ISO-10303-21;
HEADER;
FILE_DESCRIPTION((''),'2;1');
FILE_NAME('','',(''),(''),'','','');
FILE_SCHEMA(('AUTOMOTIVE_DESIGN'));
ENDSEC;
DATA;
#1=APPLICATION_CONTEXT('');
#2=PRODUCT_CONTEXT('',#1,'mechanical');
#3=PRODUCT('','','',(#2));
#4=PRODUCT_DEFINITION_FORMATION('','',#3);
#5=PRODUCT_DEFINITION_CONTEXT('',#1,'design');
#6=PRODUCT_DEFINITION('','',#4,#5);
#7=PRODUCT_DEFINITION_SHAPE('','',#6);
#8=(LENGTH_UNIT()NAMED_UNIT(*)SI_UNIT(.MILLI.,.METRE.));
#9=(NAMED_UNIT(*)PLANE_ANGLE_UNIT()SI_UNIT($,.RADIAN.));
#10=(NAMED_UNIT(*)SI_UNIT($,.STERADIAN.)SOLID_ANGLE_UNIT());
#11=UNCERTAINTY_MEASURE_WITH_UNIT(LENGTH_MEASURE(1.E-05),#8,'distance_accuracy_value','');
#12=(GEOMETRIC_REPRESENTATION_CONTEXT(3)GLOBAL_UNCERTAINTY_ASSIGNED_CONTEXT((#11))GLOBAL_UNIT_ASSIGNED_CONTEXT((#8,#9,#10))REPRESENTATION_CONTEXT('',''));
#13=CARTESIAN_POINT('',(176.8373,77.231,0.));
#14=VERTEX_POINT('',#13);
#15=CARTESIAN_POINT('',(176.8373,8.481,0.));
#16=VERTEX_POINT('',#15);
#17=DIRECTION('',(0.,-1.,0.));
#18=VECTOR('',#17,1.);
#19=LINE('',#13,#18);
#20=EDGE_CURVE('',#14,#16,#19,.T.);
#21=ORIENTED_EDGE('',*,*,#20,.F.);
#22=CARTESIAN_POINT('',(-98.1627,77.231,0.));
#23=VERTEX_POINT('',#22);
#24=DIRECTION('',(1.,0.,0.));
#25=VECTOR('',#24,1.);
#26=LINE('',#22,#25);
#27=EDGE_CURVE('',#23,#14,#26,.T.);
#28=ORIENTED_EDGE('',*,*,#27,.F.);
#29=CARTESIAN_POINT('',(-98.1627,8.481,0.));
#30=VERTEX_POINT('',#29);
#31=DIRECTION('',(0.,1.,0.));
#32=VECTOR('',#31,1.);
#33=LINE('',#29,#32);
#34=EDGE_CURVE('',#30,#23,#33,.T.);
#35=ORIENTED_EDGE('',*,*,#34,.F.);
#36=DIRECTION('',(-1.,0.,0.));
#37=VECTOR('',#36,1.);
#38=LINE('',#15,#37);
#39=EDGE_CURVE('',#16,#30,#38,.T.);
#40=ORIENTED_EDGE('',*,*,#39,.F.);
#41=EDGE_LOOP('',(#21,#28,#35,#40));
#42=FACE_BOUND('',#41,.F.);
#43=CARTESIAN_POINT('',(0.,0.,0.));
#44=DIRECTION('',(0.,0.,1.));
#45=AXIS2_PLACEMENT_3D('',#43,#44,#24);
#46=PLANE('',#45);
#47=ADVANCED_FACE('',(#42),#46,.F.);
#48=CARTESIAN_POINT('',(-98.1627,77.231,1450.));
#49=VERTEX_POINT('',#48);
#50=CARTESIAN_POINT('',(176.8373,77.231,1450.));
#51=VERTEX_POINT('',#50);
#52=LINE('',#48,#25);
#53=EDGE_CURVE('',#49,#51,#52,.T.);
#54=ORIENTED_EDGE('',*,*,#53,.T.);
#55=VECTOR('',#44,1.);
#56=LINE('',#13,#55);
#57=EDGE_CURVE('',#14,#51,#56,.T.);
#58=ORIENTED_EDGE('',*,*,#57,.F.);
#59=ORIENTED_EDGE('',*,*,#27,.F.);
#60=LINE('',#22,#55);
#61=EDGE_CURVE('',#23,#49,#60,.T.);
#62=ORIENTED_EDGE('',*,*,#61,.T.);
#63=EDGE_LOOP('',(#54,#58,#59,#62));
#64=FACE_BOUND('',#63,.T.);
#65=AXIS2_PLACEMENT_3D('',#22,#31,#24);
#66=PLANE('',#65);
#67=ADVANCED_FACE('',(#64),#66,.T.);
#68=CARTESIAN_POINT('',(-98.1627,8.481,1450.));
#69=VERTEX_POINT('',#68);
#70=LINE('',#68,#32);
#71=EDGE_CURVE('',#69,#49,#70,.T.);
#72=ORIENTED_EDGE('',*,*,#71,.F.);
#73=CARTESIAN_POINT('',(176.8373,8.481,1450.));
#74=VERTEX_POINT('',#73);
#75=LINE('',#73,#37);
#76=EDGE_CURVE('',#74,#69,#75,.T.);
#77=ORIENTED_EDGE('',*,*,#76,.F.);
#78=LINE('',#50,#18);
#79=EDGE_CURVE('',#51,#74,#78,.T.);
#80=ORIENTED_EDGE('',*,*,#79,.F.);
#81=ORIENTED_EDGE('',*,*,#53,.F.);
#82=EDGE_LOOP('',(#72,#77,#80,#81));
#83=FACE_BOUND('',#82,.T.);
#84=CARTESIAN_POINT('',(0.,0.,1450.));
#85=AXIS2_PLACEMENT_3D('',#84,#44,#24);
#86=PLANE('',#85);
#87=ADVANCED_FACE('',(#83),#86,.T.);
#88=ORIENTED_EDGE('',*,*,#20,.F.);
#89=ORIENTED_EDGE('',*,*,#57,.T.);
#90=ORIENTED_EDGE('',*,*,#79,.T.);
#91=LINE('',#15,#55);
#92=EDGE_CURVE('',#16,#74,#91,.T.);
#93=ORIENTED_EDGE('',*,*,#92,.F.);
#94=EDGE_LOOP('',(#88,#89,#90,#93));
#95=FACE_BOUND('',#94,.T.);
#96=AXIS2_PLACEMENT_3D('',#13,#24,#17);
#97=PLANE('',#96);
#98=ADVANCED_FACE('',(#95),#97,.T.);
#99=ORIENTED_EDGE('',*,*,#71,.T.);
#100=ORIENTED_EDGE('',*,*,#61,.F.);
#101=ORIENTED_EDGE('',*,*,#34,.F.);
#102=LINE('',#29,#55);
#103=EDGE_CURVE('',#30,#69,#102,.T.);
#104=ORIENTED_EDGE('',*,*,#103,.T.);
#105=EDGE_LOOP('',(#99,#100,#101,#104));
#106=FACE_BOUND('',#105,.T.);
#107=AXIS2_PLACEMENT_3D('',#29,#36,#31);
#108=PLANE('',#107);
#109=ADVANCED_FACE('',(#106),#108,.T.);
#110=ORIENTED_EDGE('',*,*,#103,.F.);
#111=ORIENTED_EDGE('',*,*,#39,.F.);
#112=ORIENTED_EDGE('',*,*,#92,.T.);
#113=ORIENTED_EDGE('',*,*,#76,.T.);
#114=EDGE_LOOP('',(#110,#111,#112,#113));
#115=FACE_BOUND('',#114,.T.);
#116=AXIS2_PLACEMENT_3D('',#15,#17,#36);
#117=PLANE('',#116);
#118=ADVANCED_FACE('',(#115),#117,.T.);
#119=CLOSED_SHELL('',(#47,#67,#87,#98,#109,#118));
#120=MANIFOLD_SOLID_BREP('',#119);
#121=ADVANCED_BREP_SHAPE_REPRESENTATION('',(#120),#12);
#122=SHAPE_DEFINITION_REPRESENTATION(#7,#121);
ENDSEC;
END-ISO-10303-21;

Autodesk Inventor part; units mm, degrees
ref_plane "YZ Plane" through (0, 0, 0) normal (1, 0, 0) x (0, 1, 0)
ref_plane "XZ Plane" through (0, 0, 0) normal (0, 1, 0) x (-1, 0, 0)
ref_plane "XY Plane" through (0, 0, 0) normal (0, 0, 1) x (1, 0, 0)
sketch "Dip beams" plane through (0, 0, 0) normal (0, 0, 1) x (1, 0, 0)
  line L0 (-98.1627, 77.231) -> (176.8373, 77.231)
  line L1 (176.8373, 77.231) -> (176.8373, 8.481)
  line L2 (176.8373, 8.481) -> (-98.1627, 8.481)
  line L3 (-98.1627, 8.481) -> (-98.1627, 77.231)
  point P0 (0, 0)
  dimension "d0" = 275
  dimension "d1" = 68.75
extrude "Extrusion1" add sketch "Dip beams" along normal blind 1450
equation "\"d1\" = 0.25 * d0"
properties part number "Dip Beams" material "Wood (Oak)"
